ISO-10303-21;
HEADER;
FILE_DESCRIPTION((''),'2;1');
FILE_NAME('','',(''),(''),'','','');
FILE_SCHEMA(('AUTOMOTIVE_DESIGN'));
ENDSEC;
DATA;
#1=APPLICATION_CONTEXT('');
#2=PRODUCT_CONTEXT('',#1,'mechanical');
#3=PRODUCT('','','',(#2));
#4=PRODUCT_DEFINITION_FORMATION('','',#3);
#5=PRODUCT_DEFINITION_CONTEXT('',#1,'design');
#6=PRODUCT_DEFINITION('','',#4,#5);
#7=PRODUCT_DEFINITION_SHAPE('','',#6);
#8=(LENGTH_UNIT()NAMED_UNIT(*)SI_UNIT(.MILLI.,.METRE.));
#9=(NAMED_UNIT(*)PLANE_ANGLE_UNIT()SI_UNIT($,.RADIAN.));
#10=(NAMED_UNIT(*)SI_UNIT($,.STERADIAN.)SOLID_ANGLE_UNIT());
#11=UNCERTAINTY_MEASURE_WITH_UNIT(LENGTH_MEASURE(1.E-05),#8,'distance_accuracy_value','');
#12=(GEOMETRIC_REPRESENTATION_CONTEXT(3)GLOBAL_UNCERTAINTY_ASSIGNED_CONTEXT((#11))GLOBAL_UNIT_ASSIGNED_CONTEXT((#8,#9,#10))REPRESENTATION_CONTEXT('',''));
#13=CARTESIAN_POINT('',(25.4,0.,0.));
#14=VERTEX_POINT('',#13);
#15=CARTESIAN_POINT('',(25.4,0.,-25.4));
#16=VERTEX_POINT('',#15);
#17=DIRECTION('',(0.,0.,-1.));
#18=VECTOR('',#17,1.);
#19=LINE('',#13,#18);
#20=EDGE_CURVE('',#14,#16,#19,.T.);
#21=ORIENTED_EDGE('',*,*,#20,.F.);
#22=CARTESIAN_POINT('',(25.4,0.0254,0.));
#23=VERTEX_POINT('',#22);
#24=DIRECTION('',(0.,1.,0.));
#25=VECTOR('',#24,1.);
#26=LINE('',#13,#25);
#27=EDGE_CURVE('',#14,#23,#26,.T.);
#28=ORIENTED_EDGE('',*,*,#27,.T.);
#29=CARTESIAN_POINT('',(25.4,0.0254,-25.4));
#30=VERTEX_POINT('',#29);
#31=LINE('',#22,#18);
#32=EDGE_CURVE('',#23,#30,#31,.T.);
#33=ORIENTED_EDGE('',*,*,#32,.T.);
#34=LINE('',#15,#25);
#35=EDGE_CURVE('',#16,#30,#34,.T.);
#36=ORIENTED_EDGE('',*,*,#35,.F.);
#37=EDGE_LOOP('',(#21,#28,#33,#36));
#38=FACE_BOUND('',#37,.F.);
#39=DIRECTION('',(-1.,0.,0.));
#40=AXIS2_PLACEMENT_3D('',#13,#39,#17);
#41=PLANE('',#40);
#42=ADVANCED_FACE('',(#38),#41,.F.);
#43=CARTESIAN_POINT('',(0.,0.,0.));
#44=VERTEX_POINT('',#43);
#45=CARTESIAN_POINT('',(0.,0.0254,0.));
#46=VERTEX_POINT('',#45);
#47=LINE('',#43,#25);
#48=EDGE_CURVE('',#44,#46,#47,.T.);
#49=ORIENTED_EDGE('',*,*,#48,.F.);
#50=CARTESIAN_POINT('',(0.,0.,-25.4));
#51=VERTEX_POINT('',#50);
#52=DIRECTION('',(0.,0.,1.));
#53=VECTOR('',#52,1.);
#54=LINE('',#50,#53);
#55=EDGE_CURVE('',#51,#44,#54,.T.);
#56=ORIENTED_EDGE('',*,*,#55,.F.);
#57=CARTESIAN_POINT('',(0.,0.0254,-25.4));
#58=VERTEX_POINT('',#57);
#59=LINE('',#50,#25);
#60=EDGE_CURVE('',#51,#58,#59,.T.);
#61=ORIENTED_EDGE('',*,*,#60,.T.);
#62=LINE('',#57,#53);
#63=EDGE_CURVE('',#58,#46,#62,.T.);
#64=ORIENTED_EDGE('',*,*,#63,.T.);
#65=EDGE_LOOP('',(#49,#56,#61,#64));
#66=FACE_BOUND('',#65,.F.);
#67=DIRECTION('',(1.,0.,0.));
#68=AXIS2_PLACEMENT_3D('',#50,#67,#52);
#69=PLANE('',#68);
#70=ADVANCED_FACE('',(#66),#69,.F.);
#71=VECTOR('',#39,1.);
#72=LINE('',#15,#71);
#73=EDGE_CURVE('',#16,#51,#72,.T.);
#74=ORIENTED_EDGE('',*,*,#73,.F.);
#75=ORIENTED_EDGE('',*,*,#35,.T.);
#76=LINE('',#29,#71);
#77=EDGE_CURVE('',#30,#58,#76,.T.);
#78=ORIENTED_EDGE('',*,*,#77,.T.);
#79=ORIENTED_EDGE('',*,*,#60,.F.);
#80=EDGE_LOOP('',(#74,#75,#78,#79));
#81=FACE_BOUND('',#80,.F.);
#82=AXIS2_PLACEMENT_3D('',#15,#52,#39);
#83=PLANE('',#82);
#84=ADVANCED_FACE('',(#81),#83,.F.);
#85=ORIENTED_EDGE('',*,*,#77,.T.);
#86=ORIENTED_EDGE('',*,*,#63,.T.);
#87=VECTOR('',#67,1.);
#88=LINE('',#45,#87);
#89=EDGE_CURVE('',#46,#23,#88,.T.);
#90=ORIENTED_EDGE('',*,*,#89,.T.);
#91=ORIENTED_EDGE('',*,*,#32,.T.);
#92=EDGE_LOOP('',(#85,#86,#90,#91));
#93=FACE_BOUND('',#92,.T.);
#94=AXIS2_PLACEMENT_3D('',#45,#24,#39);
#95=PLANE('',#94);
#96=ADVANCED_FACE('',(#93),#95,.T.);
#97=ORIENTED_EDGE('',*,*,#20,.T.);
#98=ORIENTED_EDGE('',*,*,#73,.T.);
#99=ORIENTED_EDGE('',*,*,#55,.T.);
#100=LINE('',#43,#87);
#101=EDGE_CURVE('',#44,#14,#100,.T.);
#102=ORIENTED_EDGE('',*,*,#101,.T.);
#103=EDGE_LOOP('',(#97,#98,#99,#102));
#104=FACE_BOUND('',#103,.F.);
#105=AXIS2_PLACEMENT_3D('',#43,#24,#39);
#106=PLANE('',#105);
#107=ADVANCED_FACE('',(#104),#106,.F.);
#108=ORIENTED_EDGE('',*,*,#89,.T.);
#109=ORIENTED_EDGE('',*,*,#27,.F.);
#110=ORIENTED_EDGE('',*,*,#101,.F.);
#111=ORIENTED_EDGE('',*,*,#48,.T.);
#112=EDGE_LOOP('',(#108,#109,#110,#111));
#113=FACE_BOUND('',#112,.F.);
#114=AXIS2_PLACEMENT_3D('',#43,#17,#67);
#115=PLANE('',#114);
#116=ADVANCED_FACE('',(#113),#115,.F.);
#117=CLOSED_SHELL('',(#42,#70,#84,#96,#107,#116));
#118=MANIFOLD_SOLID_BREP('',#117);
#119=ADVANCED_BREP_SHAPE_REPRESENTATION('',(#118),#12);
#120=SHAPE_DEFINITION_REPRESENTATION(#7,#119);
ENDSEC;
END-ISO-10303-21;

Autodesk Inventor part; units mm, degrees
ref_plane "YZ Plane" through (0, 0, 0) normal (1, 0, 0) x (0, 1, 0)
ref_plane "XZ Plane" through (0, 0, 0) normal (0, 1, 0) x (-1, 0, 0)
ref_plane "XY Plane" through (0, 0, 0) normal (0, 0, 1) x (1, 0, 0)
sketch "Sketch1" plane through (0, 0, 0) normal (0, 1, 0) x (-1, 0, 0)
  line L0 (0, 0) -> (-25.4, 0)
  line L1 (-25.4, 0) -> (-25.4, -25.4)
  line L2 (-25.4, -25.4) -> (0, -25.4)
  line L3 (0, -25.4) -> (0, 0)
  dimension "d0" = 25.4
  dimension "d1" = 25.4
extrude "Extrusion1" add sketch "Sketch1" along normal blind 0.0254
properties part number "Fake"
